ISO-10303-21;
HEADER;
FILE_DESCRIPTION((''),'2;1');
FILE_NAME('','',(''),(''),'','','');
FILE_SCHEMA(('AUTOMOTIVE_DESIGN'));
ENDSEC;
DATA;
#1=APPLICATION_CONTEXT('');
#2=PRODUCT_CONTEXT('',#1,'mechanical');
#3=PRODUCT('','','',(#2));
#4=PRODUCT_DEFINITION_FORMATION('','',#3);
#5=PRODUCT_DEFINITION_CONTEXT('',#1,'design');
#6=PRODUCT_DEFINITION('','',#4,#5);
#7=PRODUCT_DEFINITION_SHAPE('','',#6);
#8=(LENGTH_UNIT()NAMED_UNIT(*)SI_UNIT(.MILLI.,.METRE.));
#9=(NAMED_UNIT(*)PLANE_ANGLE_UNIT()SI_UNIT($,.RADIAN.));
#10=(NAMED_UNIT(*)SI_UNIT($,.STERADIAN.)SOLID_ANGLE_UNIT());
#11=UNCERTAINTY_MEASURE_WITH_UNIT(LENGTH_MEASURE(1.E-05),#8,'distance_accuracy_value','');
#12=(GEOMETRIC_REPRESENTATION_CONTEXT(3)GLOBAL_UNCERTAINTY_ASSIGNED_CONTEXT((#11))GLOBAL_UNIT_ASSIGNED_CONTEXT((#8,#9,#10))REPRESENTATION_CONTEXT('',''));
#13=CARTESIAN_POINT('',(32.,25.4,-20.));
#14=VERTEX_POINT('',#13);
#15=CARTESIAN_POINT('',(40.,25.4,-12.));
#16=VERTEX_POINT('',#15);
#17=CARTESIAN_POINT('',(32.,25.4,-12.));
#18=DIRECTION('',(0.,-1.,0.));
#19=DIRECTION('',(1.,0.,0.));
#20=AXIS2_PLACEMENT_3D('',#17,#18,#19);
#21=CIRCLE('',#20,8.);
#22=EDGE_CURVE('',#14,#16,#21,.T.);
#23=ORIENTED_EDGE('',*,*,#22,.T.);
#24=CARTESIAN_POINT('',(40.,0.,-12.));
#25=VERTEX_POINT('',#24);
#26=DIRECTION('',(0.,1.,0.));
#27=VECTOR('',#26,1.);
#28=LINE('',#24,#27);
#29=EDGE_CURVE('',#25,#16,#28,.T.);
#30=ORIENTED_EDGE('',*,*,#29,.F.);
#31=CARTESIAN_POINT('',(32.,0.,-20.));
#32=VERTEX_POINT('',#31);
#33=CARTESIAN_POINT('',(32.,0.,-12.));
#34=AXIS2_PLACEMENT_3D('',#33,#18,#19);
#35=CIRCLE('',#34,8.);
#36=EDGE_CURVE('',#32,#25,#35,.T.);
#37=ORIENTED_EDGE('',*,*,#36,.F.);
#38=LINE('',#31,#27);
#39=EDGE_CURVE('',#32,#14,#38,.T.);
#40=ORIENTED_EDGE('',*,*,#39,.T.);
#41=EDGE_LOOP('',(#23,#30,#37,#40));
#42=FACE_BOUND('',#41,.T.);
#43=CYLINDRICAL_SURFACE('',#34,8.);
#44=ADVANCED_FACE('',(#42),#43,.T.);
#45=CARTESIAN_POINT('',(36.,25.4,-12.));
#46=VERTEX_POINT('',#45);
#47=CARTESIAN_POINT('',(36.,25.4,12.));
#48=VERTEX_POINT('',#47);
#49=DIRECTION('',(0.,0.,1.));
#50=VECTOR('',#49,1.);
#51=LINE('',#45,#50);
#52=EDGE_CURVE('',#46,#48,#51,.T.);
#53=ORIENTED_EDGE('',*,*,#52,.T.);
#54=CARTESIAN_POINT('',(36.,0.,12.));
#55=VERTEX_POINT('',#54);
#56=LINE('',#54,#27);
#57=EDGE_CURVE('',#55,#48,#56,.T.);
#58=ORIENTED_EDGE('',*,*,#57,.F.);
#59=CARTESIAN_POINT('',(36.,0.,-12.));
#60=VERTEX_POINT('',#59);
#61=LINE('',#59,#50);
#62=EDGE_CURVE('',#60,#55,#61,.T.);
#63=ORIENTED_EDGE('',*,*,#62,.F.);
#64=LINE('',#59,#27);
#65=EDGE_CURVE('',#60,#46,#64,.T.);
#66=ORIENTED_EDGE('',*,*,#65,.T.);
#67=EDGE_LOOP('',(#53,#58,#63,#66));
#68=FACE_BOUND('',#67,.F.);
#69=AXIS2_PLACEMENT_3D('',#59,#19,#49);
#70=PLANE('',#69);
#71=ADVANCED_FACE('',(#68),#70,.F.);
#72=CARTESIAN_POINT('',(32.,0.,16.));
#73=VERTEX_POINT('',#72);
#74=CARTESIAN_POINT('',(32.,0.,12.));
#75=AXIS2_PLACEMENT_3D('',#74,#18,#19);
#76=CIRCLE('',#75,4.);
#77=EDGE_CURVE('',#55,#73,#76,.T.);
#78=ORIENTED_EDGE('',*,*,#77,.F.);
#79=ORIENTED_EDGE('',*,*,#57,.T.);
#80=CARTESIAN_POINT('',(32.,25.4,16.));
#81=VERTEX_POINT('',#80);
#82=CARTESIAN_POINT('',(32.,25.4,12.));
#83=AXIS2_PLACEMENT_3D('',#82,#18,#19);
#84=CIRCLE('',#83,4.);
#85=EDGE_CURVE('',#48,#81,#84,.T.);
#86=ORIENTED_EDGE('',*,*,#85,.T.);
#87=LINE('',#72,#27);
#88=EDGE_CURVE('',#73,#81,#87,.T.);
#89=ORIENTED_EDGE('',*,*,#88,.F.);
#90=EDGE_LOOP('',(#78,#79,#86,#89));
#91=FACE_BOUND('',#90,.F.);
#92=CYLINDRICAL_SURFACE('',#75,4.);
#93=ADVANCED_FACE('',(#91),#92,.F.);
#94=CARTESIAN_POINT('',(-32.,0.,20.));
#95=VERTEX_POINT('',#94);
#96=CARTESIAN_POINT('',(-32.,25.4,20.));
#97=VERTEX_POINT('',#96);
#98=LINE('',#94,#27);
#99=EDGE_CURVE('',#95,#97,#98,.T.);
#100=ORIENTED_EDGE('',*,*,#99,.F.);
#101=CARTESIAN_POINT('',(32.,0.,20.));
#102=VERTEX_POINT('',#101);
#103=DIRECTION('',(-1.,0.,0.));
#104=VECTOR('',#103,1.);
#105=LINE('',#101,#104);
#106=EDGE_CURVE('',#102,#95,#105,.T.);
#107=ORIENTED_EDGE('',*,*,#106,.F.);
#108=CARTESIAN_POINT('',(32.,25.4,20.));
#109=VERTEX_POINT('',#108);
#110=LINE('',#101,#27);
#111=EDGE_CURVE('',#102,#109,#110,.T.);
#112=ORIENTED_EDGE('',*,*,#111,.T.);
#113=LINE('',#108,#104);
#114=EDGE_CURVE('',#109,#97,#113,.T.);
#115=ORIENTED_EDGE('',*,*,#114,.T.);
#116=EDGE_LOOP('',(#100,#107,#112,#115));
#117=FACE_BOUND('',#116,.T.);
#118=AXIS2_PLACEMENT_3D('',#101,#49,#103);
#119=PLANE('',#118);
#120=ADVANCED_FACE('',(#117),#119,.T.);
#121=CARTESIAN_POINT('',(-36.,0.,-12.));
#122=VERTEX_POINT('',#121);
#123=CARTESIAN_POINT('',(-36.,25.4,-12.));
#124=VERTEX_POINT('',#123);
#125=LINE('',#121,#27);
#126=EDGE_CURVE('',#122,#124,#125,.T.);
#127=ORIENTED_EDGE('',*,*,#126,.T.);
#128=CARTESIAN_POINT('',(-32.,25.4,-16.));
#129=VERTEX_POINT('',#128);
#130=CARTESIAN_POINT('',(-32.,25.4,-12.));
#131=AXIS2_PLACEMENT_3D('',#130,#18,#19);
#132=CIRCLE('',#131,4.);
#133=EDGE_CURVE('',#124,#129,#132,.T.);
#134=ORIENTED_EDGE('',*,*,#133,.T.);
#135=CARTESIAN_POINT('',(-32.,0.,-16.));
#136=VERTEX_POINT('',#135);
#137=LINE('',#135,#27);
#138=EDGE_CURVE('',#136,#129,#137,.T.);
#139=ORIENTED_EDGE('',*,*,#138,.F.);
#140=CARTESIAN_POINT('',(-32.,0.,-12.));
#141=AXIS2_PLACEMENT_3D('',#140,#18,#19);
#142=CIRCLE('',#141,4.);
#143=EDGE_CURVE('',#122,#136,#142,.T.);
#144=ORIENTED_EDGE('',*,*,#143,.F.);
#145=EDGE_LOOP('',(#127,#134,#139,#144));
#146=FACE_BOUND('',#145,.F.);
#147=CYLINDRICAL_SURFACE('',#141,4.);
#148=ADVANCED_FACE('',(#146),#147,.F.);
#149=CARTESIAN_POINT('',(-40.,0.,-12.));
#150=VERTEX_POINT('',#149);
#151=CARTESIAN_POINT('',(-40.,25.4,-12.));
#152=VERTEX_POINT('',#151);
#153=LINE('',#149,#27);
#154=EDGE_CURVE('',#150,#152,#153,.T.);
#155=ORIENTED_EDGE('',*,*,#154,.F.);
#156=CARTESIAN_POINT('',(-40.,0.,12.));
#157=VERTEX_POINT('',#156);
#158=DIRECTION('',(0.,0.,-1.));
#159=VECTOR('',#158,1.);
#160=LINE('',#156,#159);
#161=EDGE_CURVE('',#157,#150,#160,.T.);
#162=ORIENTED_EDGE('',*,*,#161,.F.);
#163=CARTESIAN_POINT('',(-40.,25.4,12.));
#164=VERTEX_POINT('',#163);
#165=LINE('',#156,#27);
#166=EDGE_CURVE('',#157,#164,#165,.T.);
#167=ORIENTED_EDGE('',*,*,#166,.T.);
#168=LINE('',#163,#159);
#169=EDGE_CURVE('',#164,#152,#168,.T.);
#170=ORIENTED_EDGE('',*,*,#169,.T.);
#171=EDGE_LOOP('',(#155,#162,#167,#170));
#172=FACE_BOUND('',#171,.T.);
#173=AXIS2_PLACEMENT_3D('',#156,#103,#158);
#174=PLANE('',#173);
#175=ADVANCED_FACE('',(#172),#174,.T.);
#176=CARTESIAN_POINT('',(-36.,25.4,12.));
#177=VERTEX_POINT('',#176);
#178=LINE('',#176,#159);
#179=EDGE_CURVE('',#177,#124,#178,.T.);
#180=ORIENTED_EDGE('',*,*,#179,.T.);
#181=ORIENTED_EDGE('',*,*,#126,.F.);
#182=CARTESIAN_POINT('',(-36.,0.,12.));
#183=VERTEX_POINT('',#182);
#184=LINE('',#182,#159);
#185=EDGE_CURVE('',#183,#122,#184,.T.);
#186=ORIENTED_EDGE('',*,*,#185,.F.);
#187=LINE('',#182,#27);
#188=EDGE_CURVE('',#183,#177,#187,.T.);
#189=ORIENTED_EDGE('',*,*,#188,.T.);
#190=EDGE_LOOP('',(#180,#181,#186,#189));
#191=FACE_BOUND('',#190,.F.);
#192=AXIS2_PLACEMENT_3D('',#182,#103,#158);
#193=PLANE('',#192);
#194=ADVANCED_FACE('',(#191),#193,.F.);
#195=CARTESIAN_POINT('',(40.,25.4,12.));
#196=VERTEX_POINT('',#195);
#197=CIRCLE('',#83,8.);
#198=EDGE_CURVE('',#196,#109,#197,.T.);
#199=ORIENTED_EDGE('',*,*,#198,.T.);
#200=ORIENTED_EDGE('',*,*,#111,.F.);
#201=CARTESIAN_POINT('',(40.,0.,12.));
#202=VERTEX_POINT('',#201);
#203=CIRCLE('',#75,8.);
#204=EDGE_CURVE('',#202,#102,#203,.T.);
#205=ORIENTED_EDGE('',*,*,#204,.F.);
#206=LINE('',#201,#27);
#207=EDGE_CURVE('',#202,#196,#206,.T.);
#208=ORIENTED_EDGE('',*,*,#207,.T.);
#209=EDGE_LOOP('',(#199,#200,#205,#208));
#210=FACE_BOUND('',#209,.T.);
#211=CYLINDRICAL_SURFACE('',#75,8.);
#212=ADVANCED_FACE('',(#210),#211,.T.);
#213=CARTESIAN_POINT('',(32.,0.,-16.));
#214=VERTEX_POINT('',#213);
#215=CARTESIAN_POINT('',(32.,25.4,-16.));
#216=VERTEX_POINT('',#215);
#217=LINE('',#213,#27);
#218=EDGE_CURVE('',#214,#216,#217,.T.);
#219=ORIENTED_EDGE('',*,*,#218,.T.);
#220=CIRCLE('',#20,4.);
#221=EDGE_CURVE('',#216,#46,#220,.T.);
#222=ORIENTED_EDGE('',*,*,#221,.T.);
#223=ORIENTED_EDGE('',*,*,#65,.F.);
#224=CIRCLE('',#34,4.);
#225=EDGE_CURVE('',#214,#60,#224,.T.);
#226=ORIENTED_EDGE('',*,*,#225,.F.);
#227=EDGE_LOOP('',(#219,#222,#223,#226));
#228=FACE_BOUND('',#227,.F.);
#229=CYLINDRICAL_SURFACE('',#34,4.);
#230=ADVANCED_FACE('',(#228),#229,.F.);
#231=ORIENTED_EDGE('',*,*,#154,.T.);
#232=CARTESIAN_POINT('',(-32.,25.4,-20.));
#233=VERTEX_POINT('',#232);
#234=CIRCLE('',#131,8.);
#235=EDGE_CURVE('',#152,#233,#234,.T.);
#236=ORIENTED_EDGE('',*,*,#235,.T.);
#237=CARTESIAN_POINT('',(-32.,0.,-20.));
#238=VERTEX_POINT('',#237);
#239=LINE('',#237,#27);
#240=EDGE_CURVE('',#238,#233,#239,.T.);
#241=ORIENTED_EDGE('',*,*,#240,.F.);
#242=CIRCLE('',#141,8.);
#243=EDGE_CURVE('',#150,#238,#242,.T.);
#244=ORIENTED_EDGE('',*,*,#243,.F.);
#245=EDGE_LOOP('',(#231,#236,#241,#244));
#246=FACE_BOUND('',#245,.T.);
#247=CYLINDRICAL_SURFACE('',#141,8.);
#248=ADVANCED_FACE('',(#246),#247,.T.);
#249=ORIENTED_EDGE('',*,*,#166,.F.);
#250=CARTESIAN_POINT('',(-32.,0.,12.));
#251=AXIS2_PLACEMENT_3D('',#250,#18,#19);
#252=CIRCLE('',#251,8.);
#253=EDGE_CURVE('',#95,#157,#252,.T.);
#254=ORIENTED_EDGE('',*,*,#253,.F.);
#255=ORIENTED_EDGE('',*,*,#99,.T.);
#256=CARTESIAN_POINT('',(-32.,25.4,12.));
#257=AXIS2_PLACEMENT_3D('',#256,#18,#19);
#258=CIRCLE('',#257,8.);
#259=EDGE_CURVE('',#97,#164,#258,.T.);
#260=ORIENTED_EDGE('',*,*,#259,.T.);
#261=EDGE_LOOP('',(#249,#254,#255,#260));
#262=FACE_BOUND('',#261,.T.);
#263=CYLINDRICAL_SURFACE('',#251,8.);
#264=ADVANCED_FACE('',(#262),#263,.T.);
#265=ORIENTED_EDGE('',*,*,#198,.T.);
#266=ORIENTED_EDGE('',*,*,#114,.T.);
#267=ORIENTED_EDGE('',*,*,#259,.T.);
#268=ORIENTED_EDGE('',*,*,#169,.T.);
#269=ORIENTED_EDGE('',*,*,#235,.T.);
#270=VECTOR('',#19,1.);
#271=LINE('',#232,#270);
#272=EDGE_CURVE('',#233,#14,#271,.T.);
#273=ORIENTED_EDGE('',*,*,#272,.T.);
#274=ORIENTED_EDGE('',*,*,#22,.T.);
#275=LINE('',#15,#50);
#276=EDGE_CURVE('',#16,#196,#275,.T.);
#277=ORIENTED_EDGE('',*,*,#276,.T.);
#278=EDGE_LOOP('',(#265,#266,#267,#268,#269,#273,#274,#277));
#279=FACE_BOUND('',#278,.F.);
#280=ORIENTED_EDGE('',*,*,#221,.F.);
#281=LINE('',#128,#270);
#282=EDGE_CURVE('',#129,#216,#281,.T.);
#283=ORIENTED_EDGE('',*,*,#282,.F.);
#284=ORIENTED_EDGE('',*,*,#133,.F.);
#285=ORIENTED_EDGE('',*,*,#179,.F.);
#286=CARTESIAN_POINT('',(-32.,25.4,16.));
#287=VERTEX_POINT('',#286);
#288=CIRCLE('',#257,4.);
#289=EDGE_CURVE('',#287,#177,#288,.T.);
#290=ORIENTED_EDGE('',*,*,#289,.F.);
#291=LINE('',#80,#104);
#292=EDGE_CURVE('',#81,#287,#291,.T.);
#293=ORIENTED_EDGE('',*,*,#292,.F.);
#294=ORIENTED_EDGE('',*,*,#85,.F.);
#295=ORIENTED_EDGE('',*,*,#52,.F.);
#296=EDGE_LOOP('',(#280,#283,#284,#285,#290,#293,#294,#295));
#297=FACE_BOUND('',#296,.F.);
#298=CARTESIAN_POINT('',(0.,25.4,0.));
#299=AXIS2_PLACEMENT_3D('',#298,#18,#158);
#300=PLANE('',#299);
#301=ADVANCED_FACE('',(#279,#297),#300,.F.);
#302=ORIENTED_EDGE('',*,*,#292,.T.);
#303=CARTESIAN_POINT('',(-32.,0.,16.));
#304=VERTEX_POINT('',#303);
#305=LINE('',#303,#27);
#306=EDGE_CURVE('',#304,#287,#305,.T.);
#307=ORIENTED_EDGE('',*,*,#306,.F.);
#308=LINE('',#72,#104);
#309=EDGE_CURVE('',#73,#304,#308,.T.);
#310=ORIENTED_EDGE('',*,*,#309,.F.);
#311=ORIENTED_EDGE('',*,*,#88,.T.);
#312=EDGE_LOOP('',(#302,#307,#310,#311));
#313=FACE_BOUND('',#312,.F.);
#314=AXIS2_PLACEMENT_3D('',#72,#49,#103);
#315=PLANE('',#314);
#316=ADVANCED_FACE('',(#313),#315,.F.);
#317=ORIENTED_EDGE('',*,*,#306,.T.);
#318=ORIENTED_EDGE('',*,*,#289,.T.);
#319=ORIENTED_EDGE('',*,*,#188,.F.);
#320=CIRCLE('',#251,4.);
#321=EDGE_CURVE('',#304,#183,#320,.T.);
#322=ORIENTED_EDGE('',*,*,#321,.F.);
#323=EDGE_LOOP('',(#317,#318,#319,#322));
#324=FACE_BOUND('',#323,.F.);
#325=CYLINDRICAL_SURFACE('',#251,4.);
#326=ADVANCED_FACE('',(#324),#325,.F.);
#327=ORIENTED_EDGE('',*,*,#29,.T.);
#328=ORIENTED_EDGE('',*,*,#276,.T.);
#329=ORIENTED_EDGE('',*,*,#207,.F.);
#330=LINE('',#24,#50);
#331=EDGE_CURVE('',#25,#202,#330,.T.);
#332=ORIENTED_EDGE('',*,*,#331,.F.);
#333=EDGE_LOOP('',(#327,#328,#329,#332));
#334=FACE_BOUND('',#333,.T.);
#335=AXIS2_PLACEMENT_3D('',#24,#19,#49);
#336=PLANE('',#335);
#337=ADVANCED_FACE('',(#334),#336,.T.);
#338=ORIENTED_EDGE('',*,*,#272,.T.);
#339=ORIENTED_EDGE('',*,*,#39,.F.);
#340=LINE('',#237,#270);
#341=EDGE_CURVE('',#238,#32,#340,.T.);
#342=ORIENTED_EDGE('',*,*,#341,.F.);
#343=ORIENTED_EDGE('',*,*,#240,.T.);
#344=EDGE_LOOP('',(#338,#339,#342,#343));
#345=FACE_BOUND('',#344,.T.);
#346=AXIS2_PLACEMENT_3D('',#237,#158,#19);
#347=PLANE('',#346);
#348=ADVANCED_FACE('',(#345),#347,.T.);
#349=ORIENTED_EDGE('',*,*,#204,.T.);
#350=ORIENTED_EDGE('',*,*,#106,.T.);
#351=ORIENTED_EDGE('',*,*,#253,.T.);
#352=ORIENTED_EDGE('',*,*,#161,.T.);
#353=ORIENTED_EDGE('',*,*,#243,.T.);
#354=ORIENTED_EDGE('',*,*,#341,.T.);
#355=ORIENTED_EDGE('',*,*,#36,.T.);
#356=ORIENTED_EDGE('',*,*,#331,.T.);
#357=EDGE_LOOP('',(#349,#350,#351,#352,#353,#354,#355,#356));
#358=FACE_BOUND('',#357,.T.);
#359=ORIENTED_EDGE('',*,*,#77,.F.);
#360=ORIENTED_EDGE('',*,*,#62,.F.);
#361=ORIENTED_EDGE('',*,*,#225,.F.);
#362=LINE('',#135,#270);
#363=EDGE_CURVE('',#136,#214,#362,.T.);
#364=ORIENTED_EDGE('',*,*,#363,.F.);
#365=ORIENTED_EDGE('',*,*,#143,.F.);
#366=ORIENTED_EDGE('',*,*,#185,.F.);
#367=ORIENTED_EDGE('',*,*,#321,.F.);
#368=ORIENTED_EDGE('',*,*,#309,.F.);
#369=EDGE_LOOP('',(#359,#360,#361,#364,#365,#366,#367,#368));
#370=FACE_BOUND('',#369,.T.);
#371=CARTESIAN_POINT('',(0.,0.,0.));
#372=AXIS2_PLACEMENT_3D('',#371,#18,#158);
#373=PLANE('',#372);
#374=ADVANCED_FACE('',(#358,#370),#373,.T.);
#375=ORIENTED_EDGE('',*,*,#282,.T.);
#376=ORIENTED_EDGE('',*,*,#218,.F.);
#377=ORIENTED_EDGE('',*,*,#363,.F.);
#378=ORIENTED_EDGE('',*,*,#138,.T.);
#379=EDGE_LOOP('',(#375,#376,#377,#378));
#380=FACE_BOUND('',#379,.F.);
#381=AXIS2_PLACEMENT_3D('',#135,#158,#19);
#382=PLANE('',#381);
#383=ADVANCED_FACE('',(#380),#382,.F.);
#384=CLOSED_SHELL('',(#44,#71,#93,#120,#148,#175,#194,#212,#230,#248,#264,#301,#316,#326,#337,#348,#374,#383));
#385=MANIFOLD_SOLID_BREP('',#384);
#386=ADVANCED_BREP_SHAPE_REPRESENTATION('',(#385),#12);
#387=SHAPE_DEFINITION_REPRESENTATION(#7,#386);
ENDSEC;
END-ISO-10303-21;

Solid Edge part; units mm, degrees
sketch "Sketch1" plane through (0, 0, 0) normal (0, -1, 0) x (1, 0, 0)
  arc A0 (-32, 16) -> (-36, 12) centre (-32, 12) ccw
  line L0 (-36, 12) -> (-36, -12)
  arc A1 (-36, -12) -> (-32, -16) centre (-32, -12) ccw
  line L1 (-32, -16) -> (32, -16)
  arc A2 (32, -16) -> (36, -12) centre (32, -12) ccw
  line L2 (36, -12) -> (36, 12)
  arc A3 (36, 12) -> (32, 16) centre (32, 12) ccw
  line L3 (32, 16) -> (-32, 16)
  arc A4 (-32, 20) -> (-40, 12) centre (-32, 12) ccw
  line L4 (-40, 12) -> (-40, -12)
  arc A5 (-40, -12) -> (-32, -20) centre (-32, -12) ccw
  line L5 (-32, -20) -> (32, -20)
  arc A6 (32, -20) -> (40, -12) centre (32, -12) ccw
  line L6 (40, -12) -> (40, 12)
  arc A7 (40, 12) -> (32, 20) centre (32, 12) ccw
  line L7 (32, 20) -> (-32, 20)
  dimension "D1" = 32
extrude "Protrusion1" add sketch "Sketch1" against normal blind 25.4
